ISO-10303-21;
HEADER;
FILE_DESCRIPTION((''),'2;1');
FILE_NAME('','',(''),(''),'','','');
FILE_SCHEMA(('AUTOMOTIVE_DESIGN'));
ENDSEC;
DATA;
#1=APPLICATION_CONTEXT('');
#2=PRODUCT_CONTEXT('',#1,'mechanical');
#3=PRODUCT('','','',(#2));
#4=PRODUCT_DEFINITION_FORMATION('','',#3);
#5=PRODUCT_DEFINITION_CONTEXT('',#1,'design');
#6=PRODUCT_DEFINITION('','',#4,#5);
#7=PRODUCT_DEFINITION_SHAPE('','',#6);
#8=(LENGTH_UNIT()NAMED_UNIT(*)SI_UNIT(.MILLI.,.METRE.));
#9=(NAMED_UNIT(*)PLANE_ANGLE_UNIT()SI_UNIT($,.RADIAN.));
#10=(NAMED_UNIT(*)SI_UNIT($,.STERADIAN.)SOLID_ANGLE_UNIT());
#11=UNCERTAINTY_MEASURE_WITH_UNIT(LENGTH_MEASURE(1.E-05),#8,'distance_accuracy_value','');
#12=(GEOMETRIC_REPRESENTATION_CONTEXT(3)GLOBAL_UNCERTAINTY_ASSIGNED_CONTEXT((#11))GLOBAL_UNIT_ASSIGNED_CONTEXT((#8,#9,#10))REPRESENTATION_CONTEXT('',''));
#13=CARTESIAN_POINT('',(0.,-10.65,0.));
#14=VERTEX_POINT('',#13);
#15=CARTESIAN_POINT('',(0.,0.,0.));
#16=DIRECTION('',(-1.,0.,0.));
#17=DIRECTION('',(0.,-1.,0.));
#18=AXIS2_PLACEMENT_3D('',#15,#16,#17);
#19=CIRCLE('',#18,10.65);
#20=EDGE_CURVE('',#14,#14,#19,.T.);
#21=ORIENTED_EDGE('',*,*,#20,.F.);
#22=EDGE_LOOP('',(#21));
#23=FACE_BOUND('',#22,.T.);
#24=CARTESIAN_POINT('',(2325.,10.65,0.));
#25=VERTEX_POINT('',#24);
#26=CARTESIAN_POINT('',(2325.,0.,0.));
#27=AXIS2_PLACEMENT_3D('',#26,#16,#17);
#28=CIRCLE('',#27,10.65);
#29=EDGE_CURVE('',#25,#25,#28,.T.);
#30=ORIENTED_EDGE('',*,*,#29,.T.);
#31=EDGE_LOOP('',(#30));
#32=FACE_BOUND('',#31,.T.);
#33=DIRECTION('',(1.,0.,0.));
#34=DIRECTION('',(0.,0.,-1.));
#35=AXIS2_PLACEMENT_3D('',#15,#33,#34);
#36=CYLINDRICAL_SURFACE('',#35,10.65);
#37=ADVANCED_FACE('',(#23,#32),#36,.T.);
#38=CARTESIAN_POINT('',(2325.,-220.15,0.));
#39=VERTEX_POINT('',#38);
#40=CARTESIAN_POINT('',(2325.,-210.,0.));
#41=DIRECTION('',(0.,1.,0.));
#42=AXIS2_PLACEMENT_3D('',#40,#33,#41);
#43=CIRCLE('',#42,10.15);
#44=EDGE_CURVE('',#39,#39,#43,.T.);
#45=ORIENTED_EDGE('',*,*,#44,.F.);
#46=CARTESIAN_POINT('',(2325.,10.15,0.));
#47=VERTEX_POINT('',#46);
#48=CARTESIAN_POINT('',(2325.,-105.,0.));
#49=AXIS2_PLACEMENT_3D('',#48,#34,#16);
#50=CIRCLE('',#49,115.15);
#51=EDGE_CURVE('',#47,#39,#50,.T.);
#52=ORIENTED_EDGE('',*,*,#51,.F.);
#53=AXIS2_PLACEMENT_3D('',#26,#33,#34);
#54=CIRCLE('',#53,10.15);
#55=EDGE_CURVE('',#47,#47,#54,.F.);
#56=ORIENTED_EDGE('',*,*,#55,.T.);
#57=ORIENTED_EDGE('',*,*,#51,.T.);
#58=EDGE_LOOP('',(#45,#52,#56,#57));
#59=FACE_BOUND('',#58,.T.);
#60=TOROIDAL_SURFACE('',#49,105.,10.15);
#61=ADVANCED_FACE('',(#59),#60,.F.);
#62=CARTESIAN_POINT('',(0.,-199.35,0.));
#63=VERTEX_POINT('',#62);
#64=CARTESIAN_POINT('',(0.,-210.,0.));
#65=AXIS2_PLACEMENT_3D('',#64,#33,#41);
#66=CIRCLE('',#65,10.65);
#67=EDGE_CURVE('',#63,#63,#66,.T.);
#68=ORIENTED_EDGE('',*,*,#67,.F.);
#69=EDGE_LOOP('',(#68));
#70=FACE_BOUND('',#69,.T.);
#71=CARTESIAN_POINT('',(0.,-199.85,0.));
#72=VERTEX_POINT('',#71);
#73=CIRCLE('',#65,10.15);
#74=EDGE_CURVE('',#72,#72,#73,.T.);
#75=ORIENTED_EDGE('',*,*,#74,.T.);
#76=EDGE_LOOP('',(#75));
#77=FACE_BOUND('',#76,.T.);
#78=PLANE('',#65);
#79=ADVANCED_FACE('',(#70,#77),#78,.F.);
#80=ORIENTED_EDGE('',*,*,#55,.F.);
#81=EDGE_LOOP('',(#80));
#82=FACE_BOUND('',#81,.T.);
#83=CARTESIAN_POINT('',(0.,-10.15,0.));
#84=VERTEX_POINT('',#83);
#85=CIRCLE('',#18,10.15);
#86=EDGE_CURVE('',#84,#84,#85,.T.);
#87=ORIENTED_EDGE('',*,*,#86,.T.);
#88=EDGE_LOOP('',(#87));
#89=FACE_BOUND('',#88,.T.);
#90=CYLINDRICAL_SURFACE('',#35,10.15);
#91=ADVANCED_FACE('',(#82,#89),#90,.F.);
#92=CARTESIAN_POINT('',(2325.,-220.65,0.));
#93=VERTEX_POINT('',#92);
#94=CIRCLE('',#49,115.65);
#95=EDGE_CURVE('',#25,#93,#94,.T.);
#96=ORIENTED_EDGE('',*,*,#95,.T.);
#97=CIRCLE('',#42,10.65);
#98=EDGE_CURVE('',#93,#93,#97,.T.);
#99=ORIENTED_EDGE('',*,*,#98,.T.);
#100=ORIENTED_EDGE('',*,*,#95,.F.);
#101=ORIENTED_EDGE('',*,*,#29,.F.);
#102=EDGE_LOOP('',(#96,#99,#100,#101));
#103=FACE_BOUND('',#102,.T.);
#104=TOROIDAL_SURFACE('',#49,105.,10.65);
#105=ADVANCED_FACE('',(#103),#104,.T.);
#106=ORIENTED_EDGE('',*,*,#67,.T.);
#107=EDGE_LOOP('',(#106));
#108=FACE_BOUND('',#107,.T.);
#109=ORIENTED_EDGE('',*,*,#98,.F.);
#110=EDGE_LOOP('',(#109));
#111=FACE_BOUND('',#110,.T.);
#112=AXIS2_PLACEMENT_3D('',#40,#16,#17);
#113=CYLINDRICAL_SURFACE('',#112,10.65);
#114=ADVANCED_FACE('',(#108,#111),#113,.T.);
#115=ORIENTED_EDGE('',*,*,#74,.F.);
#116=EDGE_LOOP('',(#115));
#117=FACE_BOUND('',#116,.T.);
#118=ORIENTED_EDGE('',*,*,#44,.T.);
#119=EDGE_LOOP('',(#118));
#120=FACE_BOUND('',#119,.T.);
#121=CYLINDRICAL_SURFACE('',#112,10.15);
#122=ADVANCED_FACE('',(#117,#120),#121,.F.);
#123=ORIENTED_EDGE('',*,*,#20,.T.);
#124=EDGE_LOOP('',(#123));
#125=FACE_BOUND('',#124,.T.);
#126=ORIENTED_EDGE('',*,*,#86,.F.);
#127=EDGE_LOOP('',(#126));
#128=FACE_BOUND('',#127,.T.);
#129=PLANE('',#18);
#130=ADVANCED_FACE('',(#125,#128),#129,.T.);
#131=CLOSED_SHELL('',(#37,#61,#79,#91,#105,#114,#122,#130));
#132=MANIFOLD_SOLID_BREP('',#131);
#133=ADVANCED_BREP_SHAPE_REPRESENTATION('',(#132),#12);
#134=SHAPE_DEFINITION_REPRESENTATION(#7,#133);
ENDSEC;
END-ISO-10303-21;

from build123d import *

# Parameters (mm, degrees)
SWEEP_THIN1_PROFILE_R   = 10.65
SWEEP_THIN1_PROFILE_R_2 = 10.15


with BuildPart() as part:
    # Sweep-Thin1: sweep along a path in Sketch1
    with BuildLine(Plane.XY) as sweep_thin1_path:
        Line((0, 0), (2325, 0))
        ThreePointArc((2325, 0), (2430, -105), (2325, -210))
        Line((2325, -210), (0, -210))
    # Sweep-Thin1 profile (on start of the path) → Sweep-Thin1 (sweep)
    with BuildSketch(Plane(origin=(0, 0, 0), x_dir=(0, 0, 1), z_dir=(1, 0, 0))):
        Circle(SWEEP_THIN1_PROFILE_R)
        Circle(SWEEP_THIN1_PROFILE_R_2, mode=Mode.SUBTRACT)
    sweep(path=sweep_thin1_path.line)


solid = part.part
